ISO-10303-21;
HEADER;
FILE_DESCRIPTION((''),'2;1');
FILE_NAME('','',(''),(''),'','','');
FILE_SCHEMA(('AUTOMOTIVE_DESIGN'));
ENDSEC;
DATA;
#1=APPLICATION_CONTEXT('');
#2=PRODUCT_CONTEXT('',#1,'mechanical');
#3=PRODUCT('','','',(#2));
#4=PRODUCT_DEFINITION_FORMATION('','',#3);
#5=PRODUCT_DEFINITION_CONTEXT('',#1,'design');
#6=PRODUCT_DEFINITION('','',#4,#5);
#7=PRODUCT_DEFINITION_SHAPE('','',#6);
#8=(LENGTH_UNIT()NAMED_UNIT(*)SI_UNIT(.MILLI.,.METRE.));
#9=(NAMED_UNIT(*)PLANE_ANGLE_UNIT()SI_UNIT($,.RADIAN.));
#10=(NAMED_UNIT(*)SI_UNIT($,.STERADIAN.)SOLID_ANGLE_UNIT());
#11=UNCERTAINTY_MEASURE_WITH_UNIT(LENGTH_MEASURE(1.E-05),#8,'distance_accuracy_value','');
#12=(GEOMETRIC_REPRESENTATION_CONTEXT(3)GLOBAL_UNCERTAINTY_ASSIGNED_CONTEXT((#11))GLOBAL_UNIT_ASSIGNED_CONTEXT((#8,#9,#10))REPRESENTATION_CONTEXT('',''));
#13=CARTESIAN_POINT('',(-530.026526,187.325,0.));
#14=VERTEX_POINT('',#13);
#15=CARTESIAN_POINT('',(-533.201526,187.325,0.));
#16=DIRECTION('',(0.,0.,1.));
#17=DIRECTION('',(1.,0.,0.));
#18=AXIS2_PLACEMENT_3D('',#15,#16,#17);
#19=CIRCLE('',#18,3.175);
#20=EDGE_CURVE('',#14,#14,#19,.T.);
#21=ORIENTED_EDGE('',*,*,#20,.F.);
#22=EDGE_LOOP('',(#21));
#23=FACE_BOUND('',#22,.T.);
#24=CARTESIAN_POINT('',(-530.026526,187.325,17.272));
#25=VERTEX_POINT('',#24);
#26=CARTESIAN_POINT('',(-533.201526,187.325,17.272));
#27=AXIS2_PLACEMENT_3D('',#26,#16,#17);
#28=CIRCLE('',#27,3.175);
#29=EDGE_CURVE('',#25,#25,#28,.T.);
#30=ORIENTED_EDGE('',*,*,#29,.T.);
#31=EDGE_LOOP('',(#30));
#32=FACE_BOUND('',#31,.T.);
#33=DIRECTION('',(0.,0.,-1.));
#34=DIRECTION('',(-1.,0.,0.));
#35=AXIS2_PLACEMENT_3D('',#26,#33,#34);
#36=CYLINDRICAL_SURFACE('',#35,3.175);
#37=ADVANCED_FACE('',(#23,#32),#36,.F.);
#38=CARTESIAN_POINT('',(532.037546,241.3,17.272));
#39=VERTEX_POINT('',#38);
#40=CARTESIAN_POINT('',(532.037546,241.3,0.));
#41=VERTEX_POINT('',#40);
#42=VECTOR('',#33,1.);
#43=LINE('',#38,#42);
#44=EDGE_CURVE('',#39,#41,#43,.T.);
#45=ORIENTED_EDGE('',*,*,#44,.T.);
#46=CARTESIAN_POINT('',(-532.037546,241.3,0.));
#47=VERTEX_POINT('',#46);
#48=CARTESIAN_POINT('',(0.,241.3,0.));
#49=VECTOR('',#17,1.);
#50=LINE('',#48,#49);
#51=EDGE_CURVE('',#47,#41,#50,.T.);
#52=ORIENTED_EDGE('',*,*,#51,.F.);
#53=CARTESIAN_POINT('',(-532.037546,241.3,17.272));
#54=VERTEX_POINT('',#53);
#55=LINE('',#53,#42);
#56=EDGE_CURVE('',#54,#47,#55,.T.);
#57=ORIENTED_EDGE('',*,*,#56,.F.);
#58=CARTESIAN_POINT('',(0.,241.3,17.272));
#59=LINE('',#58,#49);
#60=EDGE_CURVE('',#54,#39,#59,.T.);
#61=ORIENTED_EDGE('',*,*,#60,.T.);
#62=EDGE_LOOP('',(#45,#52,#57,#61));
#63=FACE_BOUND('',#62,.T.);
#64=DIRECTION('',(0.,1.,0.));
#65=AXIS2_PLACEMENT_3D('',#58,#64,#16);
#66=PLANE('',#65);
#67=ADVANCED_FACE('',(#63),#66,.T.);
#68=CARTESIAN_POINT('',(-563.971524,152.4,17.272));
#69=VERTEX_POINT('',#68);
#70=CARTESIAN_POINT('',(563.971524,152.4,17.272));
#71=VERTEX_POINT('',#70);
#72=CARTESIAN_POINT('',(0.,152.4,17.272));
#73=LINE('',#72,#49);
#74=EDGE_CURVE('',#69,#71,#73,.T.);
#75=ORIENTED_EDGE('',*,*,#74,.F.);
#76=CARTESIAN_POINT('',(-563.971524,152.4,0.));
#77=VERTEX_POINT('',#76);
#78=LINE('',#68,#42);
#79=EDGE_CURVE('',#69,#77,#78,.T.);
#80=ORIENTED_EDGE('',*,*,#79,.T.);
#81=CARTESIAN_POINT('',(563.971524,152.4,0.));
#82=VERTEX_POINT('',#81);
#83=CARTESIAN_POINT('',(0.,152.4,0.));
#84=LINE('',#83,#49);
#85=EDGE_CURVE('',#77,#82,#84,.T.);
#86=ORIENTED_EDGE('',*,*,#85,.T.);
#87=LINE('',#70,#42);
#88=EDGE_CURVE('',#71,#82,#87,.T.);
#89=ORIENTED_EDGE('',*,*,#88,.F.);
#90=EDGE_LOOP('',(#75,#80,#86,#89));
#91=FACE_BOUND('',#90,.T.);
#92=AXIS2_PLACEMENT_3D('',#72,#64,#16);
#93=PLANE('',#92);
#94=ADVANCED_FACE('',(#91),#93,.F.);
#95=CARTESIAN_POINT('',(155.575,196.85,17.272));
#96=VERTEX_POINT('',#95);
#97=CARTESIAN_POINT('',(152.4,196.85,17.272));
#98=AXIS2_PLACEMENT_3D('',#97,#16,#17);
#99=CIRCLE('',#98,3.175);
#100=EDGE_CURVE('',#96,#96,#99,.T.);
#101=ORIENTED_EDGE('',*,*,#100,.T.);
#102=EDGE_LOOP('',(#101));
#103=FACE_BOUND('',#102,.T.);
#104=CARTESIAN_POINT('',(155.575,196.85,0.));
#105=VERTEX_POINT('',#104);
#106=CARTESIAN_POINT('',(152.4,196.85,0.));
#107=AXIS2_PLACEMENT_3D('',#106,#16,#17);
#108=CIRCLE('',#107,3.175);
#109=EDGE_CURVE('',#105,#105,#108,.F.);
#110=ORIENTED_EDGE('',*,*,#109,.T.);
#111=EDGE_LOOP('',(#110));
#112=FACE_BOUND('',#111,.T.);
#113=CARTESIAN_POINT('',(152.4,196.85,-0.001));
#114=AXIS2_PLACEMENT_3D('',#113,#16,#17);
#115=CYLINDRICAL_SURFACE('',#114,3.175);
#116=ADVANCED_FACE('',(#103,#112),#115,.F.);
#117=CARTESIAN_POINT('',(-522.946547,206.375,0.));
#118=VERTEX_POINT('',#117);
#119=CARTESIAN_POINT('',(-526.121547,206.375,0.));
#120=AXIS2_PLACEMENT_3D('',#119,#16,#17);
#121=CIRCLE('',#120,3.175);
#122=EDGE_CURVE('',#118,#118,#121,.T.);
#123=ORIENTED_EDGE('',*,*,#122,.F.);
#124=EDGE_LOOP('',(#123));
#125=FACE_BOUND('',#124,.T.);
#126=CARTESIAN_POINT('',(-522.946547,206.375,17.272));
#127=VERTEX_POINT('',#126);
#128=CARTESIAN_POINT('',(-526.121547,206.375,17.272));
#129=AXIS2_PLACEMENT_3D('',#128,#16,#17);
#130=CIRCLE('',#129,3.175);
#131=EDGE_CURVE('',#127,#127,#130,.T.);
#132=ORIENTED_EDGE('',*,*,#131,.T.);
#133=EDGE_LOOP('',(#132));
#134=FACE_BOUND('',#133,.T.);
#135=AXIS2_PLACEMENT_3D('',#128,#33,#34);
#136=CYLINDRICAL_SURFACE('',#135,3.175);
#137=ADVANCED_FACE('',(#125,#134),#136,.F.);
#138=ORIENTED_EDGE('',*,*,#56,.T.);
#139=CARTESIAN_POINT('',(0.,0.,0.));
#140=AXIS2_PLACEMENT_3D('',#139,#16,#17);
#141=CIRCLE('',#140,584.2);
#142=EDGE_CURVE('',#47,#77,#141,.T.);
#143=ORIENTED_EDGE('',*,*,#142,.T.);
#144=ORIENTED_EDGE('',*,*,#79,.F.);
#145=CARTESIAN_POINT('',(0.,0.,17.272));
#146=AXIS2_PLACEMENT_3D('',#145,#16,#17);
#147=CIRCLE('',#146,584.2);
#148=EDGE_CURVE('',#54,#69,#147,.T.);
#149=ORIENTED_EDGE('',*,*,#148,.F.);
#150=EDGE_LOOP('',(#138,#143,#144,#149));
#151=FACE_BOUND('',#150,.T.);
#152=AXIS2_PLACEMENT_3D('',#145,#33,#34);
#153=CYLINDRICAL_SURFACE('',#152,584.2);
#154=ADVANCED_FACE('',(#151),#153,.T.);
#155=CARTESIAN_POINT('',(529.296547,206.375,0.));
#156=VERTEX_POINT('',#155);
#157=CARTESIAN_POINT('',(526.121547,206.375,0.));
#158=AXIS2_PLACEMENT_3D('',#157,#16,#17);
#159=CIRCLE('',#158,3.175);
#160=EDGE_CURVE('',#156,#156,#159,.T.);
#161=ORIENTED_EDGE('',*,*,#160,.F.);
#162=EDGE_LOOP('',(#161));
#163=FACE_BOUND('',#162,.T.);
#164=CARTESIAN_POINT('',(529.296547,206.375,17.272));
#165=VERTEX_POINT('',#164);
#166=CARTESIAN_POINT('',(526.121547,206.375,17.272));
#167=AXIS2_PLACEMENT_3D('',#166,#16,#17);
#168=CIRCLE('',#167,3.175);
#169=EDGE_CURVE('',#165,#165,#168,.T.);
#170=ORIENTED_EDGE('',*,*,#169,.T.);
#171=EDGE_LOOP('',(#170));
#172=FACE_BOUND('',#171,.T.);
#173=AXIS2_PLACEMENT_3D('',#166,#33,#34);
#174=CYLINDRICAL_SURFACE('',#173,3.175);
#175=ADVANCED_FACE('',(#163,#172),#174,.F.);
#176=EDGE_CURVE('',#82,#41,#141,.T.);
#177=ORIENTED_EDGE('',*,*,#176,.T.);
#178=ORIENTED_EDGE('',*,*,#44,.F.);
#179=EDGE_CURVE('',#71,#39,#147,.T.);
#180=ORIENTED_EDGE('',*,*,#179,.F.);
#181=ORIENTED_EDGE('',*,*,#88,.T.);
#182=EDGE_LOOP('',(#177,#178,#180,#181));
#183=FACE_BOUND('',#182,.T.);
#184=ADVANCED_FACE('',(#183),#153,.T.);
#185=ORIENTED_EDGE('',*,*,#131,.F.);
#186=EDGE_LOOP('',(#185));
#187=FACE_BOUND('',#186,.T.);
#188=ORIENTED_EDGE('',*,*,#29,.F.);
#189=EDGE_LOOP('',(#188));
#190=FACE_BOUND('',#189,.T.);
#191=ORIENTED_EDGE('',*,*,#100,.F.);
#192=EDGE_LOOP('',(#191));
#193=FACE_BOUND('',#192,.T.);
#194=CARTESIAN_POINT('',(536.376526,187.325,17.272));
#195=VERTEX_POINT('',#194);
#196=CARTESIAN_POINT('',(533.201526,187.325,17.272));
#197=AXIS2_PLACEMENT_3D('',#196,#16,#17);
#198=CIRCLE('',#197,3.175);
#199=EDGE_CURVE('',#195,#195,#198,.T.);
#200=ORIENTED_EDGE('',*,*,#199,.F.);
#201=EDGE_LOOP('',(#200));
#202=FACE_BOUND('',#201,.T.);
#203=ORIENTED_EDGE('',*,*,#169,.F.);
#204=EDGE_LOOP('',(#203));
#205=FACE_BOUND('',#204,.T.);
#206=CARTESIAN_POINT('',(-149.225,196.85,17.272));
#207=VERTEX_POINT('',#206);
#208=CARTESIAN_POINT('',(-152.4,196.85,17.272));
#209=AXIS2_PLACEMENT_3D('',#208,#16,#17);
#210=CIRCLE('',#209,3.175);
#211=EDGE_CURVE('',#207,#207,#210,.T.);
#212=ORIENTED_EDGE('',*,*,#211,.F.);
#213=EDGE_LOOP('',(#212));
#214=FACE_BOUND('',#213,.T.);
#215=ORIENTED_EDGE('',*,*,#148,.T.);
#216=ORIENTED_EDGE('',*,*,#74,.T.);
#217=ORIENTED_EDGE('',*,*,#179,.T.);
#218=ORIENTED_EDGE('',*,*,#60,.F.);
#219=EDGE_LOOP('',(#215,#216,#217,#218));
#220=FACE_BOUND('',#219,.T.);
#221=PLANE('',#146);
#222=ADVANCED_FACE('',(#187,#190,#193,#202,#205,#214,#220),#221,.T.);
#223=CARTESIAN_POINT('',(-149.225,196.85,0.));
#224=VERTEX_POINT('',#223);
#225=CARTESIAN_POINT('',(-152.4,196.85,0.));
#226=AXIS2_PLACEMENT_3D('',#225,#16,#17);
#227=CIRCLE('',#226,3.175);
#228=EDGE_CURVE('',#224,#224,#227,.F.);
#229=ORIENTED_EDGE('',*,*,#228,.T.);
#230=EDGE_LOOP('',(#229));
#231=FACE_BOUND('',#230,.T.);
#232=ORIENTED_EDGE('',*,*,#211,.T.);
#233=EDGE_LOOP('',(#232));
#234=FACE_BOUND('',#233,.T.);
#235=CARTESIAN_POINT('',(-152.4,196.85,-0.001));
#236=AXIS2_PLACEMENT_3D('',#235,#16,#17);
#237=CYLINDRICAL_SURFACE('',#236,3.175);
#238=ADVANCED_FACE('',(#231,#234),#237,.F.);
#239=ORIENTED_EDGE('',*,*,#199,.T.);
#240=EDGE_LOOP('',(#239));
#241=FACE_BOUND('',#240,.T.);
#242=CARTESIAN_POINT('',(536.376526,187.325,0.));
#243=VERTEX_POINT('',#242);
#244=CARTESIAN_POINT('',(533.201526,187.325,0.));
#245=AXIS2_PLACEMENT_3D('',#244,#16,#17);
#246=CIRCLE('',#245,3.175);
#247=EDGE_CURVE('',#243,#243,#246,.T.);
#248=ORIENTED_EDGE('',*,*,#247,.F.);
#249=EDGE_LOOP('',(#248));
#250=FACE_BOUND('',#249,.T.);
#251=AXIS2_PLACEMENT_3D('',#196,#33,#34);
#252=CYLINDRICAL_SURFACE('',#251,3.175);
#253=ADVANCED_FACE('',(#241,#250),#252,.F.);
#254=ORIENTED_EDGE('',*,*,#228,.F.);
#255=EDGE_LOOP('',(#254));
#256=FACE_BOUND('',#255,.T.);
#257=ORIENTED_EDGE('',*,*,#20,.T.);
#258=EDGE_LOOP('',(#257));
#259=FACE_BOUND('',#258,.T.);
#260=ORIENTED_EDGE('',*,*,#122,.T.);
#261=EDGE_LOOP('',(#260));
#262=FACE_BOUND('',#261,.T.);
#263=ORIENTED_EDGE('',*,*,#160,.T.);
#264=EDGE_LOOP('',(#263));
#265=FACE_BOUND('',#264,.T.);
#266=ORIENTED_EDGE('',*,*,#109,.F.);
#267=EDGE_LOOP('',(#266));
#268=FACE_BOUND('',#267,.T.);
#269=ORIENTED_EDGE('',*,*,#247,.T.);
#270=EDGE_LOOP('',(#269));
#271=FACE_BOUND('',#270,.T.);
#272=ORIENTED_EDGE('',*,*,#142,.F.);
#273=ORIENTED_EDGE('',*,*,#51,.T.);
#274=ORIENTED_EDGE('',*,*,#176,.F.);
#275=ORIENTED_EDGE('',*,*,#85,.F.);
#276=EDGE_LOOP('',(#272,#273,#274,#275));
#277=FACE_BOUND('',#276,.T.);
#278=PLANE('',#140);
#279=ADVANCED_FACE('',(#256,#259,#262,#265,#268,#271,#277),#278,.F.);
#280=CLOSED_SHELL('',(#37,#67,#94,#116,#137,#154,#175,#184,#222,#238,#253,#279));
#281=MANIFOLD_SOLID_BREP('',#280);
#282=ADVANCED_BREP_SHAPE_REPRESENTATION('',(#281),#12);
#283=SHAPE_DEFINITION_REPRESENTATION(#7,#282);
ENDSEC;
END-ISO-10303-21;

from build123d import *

# Parameters (mm, degrees)
SKETCH1_R           = 3.175
BOSS_EXTRUDE1_DEPTH = 17.272
CUT_EXTRUDE2_REACH  = 615.668
SKETCH3_R           = 3.175


with BuildPart() as part:
    # Sketch1 → Boss-Extrude1 (new body)
    with BuildSketch(Plane.XY):
        with BuildLine():
            Line((-563.971524104, 152.4), (563.971524104, 152.4))
            ThreePointArc((563.971524104, 152.4), (549.804304053, 197.496499323), (532.037545668, 241.3))
            Line((532.037545668, 241.3), (-532.037545668, 241.3))
            ThreePointArc((-532.037545668, 241.3), (-549.804304053, 197.496499323), (-563.971524104, 152.4))
        make_face()
        with Locations((533.201525575, 187.325)):
            Circle(SKETCH1_R, mode=Mode.SUBTRACT)
        with Locations((526.121546674, 206.375)):
            Circle(SKETCH1_R, mode=Mode.SUBTRACT)
        with Locations((-533.201525575, 187.325)):
            Circle(SKETCH1_R, mode=Mode.SUBTRACT)
        with Locations((-526.121546674, 206.375)):
            Circle(SKETCH1_R, mode=Mode.SUBTRACT)
    extrude(amount=BOSS_EXTRUDE1_DEPTH)

    # Sketch3 → Cut-Extrude2 (cut, up to next)
    with BuildSketch(Plane.XY.offset(17.272), mode=Mode.PRIVATE) as cut_extrude2_sk1:
        with Locations((152.4, 196.85)):
            Circle(SKETCH3_R)
    cut_extrude2_tool1 = extrude(cut_extrude2_sk1.sketch, amount=-CUT_EXTRUDE2_REACH, mode=Mode.PRIVATE) & part.part
    # Sketch3 → Cut-Extrude2 (cut, up to next)
    with BuildSketch(Plane.XY.offset(17.272), mode=Mode.PRIVATE) as cut_extrude2_sk2:
        with Locations((-152.4, 196.85)):
            Circle(SKETCH3_R)
    cut_extrude2_tool2 = extrude(cut_extrude2_sk2.sketch, amount=-CUT_EXTRUDE2_REACH, mode=Mode.PRIVATE) & part.part
    add(cut_extrude2_tool1.solids().sort_by_distance((152.4, 196.85, 17.272))[0], mode=Mode.SUBTRACT)
    add(cut_extrude2_tool2.solids().sort_by_distance((-152.4, 196.85, 17.272))[0], mode=Mode.SUBTRACT)


solid = part.part
